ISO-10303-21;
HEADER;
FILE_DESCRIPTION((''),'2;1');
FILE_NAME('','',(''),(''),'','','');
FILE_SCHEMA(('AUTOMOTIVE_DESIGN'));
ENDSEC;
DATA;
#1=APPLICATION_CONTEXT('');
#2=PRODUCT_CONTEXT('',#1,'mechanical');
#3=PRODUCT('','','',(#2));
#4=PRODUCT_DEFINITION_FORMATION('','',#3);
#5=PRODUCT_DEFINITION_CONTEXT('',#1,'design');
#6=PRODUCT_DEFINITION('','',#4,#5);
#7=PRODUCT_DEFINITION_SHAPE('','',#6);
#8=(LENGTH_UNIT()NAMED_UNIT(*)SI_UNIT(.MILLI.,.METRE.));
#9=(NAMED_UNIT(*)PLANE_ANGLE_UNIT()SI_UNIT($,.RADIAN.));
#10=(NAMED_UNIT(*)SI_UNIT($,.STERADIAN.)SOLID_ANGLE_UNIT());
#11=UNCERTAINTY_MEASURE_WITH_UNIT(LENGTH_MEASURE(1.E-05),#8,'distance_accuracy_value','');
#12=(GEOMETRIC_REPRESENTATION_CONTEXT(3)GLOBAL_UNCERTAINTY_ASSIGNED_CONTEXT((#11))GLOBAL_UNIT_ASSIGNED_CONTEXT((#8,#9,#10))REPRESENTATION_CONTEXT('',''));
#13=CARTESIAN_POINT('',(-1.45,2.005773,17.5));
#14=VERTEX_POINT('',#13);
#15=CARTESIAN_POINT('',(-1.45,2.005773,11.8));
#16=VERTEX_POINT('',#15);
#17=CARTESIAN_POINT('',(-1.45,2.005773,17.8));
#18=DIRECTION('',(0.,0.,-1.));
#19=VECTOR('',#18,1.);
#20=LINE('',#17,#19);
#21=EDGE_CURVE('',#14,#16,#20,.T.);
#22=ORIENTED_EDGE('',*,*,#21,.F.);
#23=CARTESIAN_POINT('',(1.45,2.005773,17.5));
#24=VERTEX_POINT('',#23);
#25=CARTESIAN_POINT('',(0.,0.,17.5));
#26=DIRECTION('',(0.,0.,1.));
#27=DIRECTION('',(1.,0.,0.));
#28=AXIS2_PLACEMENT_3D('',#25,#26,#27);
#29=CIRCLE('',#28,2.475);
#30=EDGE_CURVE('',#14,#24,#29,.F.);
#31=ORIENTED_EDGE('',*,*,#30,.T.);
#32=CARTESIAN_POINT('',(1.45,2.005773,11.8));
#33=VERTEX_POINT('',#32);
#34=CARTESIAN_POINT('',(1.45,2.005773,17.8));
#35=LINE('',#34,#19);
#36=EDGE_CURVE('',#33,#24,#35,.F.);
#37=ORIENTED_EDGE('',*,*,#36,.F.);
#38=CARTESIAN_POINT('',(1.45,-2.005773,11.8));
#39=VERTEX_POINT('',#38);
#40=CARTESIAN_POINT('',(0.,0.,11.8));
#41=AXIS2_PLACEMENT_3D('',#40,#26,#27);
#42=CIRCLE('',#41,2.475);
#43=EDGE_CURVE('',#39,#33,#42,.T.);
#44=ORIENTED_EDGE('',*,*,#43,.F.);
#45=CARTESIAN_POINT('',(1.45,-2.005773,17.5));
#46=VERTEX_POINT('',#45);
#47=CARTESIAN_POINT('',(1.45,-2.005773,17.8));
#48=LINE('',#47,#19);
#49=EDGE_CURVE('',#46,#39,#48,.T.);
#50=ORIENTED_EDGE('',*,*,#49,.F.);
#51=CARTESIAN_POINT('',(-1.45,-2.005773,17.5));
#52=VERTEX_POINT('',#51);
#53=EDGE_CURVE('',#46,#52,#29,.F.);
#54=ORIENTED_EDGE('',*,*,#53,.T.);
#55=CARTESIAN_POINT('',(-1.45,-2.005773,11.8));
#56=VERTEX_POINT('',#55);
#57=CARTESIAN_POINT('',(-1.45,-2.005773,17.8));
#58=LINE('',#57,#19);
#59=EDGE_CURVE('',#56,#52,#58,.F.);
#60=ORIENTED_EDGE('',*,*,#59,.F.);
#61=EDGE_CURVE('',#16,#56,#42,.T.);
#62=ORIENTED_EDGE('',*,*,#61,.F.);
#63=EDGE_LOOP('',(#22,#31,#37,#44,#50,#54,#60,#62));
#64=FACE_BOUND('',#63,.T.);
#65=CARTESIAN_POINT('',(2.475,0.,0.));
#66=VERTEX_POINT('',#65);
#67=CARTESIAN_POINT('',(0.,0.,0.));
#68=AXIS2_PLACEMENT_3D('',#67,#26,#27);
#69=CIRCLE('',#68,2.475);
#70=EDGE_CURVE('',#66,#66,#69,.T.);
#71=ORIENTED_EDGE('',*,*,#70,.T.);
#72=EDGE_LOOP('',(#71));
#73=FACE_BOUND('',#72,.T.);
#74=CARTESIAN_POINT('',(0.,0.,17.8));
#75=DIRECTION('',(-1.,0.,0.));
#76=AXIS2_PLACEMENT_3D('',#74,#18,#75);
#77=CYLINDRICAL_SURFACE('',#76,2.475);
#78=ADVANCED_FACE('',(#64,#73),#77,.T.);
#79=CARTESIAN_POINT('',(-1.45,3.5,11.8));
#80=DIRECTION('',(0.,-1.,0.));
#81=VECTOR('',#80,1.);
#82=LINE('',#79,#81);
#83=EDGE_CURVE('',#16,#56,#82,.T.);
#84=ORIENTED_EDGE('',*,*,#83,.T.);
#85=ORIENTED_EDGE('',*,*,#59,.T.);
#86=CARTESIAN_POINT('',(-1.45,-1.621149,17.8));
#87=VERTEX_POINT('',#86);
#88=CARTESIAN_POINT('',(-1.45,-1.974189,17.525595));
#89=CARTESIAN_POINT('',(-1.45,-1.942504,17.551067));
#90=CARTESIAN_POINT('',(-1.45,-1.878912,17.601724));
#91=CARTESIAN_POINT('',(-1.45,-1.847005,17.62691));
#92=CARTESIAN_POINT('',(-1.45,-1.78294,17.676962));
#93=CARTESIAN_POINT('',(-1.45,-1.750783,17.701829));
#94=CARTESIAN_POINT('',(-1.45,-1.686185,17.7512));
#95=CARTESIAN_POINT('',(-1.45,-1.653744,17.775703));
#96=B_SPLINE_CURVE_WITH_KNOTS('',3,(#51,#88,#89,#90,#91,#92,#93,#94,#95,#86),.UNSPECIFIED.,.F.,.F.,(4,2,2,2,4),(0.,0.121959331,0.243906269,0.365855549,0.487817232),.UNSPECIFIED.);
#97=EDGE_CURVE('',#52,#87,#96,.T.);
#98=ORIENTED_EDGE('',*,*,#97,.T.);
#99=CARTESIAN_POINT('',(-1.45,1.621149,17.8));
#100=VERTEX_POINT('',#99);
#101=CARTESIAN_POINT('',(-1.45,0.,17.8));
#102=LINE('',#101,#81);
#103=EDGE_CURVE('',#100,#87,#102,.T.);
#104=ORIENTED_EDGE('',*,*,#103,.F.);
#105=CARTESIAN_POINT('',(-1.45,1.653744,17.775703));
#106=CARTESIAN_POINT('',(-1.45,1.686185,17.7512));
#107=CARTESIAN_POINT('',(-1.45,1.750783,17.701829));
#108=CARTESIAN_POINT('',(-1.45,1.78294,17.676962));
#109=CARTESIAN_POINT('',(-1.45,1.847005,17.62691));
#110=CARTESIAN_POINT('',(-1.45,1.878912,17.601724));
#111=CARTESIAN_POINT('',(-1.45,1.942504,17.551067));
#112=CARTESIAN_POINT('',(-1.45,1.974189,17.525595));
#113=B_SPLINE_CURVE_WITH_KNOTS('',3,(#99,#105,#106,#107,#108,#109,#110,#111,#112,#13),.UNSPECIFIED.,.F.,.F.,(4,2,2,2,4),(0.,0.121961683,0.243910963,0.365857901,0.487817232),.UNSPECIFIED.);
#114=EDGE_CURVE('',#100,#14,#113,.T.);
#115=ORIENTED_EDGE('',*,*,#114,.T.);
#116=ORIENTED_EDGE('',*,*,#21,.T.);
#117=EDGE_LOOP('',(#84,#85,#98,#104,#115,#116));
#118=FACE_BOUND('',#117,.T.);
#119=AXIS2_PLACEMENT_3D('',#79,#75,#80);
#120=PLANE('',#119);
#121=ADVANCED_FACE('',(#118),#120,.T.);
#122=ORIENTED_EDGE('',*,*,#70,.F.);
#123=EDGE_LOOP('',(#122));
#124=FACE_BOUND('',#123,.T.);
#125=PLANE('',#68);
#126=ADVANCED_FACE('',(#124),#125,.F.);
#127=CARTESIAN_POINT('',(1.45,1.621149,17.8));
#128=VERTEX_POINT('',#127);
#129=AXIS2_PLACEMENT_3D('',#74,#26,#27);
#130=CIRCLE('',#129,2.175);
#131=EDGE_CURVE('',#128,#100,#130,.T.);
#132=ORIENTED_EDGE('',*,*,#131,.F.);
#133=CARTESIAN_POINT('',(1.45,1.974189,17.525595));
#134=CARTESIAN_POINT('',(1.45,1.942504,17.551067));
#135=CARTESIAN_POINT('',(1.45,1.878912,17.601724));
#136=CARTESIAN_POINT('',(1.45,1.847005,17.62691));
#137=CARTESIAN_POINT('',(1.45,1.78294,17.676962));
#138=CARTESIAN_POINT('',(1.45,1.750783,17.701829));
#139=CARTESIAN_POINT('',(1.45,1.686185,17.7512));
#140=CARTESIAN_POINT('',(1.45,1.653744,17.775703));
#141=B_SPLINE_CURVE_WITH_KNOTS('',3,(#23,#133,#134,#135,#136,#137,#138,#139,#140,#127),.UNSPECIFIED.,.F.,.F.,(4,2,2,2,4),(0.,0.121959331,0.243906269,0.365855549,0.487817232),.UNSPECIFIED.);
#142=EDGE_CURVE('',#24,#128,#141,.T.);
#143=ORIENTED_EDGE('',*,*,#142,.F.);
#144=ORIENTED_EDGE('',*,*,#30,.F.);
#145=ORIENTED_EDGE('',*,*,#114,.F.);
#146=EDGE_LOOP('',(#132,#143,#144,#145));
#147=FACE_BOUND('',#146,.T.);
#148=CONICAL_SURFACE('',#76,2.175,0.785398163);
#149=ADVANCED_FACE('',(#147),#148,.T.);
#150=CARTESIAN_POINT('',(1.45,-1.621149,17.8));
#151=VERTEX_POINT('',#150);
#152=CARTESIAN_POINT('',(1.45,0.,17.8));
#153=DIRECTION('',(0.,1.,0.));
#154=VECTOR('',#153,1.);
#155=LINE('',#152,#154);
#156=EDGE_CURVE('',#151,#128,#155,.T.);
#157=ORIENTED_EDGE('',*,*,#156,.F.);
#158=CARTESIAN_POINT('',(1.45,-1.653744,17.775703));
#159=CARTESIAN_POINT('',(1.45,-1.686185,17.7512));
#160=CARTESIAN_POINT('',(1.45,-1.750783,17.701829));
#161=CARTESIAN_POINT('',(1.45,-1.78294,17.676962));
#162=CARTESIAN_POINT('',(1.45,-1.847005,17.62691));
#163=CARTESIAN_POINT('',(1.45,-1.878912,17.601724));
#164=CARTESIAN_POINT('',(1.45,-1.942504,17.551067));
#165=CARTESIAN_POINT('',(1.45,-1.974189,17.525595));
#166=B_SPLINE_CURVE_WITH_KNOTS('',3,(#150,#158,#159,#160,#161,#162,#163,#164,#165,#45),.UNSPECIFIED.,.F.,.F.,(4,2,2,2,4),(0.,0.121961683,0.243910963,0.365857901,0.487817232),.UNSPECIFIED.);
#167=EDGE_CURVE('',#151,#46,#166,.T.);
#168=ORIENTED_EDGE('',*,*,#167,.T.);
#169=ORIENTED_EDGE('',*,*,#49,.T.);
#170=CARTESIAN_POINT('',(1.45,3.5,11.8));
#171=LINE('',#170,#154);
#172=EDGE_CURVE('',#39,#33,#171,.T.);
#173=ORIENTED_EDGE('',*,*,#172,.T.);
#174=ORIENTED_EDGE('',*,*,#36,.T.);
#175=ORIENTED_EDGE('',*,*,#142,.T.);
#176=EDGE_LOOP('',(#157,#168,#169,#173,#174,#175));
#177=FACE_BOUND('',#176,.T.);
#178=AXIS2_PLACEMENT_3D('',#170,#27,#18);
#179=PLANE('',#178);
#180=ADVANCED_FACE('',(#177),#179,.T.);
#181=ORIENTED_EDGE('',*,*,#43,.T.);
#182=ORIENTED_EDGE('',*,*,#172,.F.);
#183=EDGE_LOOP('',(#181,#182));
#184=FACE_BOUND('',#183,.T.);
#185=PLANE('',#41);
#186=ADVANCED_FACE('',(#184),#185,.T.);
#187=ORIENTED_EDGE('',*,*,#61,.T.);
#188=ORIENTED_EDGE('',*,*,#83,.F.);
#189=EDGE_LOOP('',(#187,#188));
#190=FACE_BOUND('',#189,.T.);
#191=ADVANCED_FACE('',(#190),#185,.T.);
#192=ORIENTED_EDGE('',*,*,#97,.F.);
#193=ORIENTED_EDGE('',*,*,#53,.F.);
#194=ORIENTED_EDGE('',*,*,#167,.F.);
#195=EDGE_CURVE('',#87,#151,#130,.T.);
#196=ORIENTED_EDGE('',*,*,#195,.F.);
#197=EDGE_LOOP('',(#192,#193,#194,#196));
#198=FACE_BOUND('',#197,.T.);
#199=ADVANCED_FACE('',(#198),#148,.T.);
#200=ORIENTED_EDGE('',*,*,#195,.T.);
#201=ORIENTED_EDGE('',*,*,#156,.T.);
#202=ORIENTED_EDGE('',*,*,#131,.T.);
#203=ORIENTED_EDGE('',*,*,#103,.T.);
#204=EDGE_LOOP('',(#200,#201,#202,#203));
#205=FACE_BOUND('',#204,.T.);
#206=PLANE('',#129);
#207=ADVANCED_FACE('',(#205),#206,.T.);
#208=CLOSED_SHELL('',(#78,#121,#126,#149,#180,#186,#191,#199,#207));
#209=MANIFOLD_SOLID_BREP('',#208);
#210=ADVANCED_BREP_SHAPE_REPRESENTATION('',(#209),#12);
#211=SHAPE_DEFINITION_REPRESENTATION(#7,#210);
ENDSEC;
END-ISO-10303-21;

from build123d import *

# Parameters (mm, degrees)
SKETCH1_R           = 2.475
EXTRUDE1_DEPTH      = 17.8
SKETCH2_OUTSIDE_W   = 10.776
SKETCH2_OUTSIDE_H   = 10.776
SKETCH2_OUTSIDE_W_2 = 2.9
SKETCH2_OUTSIDE_H_2 = 7
EXTRUDE2_DEPTH      = 6
CHAMFER1_SIZE       = 0.3


with BuildPart() as part:
    # Sketch1 → Extrude1 (new body)
    with BuildSketch(Plane.XY):
        Circle(SKETCH1_R)
    extrude(amount=EXTRUDE1_DEPTH)

    # Sketch2 outside → Extrude2 (cut)
    with BuildSketch(Plane.XY.offset(17.8)):
        Rectangle(SKETCH2_OUTSIDE_W, SKETCH2_OUTSIDE_H)
        Rectangle(SKETCH2_OUTSIDE_W_2, SKETCH2_OUTSIDE_H_2, mode=Mode.SUBTRACT)
    extrude(amount=-EXTRUDE2_DEPTH, mode=Mode.SUBTRACT)

    # Chamfer1
    chamfer1_edges = [part.edges().sort_by_distance(p)[0] for p in [
        (0, 2.475, 17.8),
        (0, -2.475, 17.8),
    ]]
    chamfer(chamfer1_edges, length=CHAMFER1_SIZE)


solid = part.part
